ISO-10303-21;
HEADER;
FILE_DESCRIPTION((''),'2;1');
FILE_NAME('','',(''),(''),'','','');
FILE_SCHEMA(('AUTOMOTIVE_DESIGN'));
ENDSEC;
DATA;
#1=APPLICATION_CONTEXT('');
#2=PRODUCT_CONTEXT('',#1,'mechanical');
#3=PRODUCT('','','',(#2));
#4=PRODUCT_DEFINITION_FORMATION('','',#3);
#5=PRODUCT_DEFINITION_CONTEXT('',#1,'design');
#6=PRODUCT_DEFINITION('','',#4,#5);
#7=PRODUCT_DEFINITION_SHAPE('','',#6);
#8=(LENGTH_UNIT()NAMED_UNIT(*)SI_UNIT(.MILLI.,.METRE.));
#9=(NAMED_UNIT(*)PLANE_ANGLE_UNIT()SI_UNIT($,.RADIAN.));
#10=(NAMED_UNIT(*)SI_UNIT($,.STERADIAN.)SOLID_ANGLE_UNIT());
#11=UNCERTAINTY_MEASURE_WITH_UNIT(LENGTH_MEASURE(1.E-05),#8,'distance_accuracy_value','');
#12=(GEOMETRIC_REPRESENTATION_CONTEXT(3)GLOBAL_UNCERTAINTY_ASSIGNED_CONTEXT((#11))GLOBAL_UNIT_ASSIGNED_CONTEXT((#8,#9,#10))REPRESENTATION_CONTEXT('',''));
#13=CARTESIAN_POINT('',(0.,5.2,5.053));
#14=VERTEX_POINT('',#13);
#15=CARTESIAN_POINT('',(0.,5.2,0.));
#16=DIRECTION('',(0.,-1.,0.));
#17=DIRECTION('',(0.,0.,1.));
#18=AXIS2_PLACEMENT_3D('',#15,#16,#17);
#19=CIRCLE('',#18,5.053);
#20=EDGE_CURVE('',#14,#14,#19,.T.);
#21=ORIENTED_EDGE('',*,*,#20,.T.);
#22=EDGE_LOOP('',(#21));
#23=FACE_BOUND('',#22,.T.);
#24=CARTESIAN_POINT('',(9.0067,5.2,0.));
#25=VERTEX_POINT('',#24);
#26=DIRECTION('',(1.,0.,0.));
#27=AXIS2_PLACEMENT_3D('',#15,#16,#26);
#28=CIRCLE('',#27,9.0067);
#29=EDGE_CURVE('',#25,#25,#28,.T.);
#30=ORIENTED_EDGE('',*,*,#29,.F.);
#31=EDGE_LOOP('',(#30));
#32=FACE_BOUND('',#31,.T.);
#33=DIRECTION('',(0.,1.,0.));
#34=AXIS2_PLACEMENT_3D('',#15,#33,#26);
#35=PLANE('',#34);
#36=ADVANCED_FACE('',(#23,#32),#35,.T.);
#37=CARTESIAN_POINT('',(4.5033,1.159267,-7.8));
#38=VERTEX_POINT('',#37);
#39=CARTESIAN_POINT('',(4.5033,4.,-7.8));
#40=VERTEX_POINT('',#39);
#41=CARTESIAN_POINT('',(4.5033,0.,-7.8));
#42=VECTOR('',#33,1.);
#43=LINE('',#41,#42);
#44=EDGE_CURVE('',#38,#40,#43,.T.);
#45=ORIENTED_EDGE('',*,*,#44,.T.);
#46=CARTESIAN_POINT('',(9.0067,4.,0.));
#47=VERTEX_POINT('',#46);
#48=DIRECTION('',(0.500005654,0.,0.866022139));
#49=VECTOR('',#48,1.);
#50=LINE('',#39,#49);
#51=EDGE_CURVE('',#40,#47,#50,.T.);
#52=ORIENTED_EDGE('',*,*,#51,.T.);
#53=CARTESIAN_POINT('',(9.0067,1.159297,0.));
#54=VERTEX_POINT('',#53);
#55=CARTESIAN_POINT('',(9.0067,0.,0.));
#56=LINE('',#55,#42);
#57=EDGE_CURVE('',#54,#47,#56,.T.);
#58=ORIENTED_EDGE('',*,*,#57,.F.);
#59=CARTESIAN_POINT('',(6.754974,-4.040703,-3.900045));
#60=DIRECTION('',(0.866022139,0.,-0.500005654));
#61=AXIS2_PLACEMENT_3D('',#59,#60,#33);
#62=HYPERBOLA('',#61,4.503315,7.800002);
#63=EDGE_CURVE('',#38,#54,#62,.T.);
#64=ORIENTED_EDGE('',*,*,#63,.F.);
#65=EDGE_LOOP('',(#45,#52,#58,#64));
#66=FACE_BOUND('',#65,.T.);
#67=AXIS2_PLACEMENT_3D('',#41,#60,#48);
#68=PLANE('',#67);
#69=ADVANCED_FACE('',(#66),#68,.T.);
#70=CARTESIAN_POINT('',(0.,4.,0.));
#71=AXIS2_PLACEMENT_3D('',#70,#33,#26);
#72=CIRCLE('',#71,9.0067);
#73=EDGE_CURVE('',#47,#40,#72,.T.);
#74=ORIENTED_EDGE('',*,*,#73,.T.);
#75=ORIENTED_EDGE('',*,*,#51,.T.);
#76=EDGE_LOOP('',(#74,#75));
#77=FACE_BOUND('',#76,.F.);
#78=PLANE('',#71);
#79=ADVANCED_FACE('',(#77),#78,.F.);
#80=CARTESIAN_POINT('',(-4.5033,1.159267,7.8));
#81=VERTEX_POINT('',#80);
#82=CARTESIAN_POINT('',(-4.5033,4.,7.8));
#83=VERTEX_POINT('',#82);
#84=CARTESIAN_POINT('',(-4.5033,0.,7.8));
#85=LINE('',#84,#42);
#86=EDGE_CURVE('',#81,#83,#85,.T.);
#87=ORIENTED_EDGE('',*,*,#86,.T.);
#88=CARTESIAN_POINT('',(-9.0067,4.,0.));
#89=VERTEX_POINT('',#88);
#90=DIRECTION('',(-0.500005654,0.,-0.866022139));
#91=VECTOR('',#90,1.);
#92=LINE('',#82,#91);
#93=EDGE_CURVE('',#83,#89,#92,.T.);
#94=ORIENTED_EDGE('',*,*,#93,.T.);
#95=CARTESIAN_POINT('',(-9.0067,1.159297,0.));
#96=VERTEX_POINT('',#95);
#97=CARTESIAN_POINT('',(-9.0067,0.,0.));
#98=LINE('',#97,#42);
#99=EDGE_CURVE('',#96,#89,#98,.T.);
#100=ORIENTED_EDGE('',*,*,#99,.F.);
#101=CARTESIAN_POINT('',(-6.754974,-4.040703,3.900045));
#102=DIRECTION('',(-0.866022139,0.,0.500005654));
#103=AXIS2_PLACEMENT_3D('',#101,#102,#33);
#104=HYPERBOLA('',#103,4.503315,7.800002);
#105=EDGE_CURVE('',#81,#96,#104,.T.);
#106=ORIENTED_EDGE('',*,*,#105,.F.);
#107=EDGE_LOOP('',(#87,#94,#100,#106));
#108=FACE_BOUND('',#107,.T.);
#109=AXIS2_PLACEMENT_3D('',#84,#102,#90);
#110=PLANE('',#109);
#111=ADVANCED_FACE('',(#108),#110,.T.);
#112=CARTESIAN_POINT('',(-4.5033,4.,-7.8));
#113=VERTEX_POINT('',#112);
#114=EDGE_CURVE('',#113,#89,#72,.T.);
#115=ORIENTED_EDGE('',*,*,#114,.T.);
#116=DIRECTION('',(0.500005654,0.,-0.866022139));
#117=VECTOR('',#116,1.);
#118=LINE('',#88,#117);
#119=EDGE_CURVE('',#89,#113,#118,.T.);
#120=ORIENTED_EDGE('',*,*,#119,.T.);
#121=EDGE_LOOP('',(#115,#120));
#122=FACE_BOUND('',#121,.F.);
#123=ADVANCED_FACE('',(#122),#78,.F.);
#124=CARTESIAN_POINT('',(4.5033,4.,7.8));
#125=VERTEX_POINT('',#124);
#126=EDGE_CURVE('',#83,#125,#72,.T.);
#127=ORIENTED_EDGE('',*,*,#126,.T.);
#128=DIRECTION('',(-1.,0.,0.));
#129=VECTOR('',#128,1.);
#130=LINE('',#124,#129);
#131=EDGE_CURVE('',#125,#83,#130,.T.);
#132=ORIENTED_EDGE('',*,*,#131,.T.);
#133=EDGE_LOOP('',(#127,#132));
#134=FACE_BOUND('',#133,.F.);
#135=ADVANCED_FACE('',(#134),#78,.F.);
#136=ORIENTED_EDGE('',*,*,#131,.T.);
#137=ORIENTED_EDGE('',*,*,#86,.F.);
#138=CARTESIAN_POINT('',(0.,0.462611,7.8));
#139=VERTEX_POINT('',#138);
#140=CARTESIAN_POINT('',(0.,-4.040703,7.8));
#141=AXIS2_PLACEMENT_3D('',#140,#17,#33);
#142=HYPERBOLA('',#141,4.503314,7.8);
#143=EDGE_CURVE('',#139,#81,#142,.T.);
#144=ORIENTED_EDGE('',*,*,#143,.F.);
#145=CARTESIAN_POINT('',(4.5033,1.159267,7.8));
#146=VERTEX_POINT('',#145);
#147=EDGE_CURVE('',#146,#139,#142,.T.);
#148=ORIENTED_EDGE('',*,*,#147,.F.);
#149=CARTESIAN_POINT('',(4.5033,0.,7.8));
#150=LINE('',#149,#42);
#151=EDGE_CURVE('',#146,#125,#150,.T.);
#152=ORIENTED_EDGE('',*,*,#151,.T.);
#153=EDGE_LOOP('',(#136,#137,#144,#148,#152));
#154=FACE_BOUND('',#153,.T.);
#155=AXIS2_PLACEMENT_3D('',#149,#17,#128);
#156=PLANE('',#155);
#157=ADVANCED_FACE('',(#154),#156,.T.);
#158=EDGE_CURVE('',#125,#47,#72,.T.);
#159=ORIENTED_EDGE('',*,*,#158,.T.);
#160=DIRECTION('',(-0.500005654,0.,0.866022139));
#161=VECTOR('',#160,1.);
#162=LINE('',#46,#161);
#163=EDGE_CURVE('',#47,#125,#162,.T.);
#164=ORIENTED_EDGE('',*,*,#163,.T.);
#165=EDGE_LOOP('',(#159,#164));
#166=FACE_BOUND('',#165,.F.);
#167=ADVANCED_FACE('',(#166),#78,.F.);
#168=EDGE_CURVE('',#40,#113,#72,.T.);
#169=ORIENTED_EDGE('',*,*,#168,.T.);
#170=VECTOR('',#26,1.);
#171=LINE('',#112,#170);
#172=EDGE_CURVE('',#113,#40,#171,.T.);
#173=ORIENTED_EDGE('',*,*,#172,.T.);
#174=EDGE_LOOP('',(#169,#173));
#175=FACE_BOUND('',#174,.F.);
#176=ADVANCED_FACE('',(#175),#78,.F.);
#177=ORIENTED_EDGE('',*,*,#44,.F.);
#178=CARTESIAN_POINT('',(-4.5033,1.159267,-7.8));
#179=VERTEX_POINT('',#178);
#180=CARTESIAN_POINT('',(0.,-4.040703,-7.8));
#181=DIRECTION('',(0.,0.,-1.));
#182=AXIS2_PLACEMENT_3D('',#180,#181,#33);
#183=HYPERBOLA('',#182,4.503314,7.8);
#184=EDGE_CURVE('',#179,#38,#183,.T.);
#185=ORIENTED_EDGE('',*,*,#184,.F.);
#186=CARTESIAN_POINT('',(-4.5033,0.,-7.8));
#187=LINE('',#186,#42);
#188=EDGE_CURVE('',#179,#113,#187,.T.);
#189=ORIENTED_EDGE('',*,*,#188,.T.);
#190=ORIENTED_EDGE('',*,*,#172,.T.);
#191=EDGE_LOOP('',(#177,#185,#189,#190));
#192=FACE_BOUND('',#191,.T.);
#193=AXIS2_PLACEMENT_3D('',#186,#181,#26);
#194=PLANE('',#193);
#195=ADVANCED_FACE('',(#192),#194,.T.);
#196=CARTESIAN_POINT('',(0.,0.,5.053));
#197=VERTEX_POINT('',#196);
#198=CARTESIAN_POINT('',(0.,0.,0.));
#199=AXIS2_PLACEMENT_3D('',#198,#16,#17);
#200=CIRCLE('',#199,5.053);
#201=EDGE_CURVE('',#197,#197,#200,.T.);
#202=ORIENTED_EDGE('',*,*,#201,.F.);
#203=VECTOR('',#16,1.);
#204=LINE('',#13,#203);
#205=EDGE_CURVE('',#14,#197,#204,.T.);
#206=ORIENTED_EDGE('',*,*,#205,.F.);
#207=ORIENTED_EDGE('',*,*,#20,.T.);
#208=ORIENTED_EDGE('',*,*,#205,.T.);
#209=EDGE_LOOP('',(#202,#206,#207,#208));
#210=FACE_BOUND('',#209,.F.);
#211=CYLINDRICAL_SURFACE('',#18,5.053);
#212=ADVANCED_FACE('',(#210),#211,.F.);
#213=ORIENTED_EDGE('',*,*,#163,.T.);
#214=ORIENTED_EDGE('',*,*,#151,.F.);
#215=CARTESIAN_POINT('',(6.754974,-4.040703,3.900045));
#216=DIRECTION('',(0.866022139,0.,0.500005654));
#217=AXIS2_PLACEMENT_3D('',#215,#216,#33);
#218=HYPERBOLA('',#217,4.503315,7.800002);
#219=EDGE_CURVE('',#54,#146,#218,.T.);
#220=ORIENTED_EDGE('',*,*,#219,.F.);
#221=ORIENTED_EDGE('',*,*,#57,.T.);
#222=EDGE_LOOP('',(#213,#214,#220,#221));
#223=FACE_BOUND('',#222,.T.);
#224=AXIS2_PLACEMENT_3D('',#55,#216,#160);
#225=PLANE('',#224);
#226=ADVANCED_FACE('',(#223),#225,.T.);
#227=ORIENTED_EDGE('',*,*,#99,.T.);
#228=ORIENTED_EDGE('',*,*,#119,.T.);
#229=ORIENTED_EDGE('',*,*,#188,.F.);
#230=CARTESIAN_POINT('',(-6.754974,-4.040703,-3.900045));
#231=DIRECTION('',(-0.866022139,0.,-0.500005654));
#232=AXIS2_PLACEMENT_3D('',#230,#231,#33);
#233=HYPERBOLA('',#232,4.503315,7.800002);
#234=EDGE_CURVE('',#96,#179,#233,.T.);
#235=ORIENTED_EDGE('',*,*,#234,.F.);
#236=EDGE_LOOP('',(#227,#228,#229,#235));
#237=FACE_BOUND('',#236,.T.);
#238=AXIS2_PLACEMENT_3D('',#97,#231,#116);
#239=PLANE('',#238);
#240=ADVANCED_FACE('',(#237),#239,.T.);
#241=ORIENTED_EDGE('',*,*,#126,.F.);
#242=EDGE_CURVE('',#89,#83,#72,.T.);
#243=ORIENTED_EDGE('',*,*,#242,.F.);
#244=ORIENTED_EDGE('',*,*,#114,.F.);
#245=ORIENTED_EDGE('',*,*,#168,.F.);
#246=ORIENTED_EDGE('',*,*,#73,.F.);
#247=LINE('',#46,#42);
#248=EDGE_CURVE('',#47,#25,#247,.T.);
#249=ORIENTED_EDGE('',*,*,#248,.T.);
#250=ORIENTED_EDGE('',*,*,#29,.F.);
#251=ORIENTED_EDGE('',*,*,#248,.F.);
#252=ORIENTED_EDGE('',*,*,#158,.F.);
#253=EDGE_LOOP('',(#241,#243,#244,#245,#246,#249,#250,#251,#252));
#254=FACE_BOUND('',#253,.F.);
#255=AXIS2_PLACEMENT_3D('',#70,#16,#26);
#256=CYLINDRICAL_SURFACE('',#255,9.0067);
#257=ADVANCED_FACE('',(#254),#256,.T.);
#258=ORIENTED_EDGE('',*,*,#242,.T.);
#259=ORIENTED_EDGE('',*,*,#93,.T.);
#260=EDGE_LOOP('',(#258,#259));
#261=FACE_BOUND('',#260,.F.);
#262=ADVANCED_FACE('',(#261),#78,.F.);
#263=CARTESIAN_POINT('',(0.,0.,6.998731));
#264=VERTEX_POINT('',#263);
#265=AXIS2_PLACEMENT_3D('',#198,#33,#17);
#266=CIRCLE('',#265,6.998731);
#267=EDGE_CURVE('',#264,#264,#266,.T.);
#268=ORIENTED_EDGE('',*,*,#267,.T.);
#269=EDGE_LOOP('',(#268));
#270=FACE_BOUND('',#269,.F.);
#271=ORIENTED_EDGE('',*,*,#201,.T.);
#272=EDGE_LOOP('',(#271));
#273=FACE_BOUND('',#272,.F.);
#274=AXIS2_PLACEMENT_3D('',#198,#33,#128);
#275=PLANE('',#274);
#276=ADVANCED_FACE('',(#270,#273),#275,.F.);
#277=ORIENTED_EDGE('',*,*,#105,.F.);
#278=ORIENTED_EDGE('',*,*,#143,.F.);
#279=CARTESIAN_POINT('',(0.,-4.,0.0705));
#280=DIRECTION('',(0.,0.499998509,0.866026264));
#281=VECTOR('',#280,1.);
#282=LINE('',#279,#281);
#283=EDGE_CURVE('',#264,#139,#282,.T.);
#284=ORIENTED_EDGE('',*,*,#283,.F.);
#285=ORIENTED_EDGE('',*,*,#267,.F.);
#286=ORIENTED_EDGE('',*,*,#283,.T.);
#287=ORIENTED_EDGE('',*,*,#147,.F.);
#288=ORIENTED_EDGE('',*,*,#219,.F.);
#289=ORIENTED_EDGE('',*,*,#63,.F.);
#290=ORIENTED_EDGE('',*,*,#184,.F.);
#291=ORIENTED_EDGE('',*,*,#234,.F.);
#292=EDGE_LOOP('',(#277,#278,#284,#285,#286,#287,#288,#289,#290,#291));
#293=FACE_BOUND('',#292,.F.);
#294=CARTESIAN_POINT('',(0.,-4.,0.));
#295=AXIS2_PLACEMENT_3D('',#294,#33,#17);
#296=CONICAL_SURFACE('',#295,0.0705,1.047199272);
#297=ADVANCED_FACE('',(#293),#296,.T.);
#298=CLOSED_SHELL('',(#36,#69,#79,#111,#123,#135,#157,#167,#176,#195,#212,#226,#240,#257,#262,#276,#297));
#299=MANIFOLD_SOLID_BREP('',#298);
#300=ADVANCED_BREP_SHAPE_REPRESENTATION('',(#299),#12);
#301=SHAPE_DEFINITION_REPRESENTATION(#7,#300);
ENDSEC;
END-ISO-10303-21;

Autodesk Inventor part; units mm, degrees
ref_plane "YZ Plane" through (0, 0, 0) normal (1, 0, 0) x (0, 1, 0)
ref_plane "XZ Plane" through (0, 0, 0) normal (0, 1, 0) x (-1, 0, 0)
ref_plane "XY Plane" through (0, 0, 0) normal (0, 0, 1) x (1, 0, 0)
sketch "Sketch1" plane through (0, 0, 0) normal (0, 1, 0) x (-1, 0, 0)
  line L0 (9.0067, 0) -> (4.5033, -7.8)
  line L1 (4.5033, -7.8) -> (-4.5033, -7.8)
  line L2 (-4.5033, -7.8) -> (-9.0067, 0)
  line L3 (-9.0067, 0) -> (-4.5033, 7.8)
  line L4 (-4.5033, 7.8) -> (4.5033, 7.8)
  line L5 (4.5033, 7.8) -> (9.0067, 0)
  point P0 (0, 0)
  point P1 (0, 0)
  dimension "d0" = 15.6
extrude "Extrusion1" add sketch "Sketch1" along normal blind 4
sketch "Sketch2" plane through (0, 4, 0) normal (0, 1, 0) x (1, 0, 0)
  line L0 (-4.5033, -7.8) -> (4.5033, -7.8) projected
  line L1 (4.5033, -7.8) -> (9.0067, 0) projected
  line L2 (9.0067, 0) -> (4.5033, 7.8) projected
  line L3 (4.5033, 7.8) -> (-4.5033, 7.8) projected
  line L4 (-4.5033, 7.8) -> (-9.0067, 0) projected
  line L5 (-9.0067, 0) -> (-4.5033, -7.8) projected
  circle A0 centre (0, 0) radius 9.0067
extrude "Extrusion2" add sketch "Sketch2" along normal blind 1.2
sketch "Sketch3" plane through (0, 0, 0) normal (1, 0, 0) x (0, 1, 0)
  line L0 (-4, 0.0705) -> (1.2, 9.0772)
  line L1 (-4, 0.0705) -> (6.4, 0.0705) construction
  line L2 (1.2, 9.0772) -> (-4, 9.0772)
  line L3 (-4, 9.0772) -> (-4, 0.0705)
  line L4 (0, 13.9781) -> (0, -14.7276)
  line L5 (13.4115, 0) -> (-11.0286, 0)
  point P0 (0, 0)
  dimension "d5" = 60
  dimension "d6" = 5.2
  dimension "d7" = 4
revolve "Revolution1" cut sketch "Sketch3" angle 360 about axis through (0, 13.4115, 0) along (0, -1, 0)
sketch "Sketch4" plane through (0, 5.2, 0) normal (0, 1, 0) x (1, 0, 0)
  point P0 (0, 0)
  point P1 (0, 0)
hole "Hole1" at (0, 5.2, 0) direction (0, -1, 0) diameter 10.106 end through all thread size "M12x1.75" class "6H" standard "ISO Metric profile"
properties part number "Cable Gland Lock Nut RS 822-9791"
